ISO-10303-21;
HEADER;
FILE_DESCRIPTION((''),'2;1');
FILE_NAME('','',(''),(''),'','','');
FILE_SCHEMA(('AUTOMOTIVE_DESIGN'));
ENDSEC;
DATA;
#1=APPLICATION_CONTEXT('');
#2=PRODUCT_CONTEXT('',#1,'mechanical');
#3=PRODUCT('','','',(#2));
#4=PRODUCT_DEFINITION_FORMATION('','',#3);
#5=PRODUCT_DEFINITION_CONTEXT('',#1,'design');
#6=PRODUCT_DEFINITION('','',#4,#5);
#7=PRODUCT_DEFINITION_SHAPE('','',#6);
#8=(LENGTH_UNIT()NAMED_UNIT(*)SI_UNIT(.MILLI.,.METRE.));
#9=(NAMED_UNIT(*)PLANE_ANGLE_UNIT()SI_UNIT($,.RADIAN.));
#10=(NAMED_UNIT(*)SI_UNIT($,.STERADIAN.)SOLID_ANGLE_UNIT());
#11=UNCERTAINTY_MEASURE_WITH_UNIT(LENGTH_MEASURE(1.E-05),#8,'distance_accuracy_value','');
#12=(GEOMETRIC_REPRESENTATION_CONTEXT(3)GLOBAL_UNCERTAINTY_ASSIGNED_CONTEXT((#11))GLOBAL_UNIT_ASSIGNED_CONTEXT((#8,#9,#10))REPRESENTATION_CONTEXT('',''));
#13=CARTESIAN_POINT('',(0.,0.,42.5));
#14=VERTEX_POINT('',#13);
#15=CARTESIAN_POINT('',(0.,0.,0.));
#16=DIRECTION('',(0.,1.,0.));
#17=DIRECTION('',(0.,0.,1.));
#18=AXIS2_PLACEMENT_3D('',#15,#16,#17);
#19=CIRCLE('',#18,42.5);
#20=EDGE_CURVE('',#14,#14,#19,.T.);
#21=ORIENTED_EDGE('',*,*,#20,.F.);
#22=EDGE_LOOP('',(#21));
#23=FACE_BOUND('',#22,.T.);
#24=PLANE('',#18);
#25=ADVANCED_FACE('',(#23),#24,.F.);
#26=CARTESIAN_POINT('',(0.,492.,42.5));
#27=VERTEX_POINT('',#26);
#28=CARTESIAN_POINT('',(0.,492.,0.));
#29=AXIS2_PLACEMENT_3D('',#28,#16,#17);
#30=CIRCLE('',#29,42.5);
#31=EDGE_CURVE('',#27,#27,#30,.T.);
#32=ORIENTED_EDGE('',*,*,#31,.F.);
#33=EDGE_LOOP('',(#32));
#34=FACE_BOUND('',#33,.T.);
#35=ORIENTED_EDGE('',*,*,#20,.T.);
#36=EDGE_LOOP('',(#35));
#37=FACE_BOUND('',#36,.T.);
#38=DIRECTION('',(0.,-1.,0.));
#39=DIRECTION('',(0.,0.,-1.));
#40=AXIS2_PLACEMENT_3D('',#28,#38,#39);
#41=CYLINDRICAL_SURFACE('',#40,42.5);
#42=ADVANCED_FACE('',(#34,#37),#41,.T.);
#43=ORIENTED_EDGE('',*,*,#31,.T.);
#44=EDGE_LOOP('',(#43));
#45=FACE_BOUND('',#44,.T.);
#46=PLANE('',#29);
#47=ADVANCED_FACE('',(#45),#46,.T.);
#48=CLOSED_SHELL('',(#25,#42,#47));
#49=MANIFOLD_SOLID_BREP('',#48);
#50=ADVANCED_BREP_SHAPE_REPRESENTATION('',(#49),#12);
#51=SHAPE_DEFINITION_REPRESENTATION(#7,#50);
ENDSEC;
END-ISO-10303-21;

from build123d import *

# Parameters (mm, degrees)
SKETCH1_R           = 42.5
BOSS_EXTRUDE1_DEPTH = 492


with BuildPart() as part:
    # Sketch1 → Boss-Extrude1 (new body)
    with BuildSketch(Plane(origin=(0, 0, 0), x_dir=(1, 0, 0), z_dir=(0, 1, 0))):
        with Locations(Location((0, 0, 0), (0, 0, 270))):
            Circle(SKETCH1_R)
    extrude(amount=BOSS_EXTRUDE1_DEPTH)


solid = part.part
